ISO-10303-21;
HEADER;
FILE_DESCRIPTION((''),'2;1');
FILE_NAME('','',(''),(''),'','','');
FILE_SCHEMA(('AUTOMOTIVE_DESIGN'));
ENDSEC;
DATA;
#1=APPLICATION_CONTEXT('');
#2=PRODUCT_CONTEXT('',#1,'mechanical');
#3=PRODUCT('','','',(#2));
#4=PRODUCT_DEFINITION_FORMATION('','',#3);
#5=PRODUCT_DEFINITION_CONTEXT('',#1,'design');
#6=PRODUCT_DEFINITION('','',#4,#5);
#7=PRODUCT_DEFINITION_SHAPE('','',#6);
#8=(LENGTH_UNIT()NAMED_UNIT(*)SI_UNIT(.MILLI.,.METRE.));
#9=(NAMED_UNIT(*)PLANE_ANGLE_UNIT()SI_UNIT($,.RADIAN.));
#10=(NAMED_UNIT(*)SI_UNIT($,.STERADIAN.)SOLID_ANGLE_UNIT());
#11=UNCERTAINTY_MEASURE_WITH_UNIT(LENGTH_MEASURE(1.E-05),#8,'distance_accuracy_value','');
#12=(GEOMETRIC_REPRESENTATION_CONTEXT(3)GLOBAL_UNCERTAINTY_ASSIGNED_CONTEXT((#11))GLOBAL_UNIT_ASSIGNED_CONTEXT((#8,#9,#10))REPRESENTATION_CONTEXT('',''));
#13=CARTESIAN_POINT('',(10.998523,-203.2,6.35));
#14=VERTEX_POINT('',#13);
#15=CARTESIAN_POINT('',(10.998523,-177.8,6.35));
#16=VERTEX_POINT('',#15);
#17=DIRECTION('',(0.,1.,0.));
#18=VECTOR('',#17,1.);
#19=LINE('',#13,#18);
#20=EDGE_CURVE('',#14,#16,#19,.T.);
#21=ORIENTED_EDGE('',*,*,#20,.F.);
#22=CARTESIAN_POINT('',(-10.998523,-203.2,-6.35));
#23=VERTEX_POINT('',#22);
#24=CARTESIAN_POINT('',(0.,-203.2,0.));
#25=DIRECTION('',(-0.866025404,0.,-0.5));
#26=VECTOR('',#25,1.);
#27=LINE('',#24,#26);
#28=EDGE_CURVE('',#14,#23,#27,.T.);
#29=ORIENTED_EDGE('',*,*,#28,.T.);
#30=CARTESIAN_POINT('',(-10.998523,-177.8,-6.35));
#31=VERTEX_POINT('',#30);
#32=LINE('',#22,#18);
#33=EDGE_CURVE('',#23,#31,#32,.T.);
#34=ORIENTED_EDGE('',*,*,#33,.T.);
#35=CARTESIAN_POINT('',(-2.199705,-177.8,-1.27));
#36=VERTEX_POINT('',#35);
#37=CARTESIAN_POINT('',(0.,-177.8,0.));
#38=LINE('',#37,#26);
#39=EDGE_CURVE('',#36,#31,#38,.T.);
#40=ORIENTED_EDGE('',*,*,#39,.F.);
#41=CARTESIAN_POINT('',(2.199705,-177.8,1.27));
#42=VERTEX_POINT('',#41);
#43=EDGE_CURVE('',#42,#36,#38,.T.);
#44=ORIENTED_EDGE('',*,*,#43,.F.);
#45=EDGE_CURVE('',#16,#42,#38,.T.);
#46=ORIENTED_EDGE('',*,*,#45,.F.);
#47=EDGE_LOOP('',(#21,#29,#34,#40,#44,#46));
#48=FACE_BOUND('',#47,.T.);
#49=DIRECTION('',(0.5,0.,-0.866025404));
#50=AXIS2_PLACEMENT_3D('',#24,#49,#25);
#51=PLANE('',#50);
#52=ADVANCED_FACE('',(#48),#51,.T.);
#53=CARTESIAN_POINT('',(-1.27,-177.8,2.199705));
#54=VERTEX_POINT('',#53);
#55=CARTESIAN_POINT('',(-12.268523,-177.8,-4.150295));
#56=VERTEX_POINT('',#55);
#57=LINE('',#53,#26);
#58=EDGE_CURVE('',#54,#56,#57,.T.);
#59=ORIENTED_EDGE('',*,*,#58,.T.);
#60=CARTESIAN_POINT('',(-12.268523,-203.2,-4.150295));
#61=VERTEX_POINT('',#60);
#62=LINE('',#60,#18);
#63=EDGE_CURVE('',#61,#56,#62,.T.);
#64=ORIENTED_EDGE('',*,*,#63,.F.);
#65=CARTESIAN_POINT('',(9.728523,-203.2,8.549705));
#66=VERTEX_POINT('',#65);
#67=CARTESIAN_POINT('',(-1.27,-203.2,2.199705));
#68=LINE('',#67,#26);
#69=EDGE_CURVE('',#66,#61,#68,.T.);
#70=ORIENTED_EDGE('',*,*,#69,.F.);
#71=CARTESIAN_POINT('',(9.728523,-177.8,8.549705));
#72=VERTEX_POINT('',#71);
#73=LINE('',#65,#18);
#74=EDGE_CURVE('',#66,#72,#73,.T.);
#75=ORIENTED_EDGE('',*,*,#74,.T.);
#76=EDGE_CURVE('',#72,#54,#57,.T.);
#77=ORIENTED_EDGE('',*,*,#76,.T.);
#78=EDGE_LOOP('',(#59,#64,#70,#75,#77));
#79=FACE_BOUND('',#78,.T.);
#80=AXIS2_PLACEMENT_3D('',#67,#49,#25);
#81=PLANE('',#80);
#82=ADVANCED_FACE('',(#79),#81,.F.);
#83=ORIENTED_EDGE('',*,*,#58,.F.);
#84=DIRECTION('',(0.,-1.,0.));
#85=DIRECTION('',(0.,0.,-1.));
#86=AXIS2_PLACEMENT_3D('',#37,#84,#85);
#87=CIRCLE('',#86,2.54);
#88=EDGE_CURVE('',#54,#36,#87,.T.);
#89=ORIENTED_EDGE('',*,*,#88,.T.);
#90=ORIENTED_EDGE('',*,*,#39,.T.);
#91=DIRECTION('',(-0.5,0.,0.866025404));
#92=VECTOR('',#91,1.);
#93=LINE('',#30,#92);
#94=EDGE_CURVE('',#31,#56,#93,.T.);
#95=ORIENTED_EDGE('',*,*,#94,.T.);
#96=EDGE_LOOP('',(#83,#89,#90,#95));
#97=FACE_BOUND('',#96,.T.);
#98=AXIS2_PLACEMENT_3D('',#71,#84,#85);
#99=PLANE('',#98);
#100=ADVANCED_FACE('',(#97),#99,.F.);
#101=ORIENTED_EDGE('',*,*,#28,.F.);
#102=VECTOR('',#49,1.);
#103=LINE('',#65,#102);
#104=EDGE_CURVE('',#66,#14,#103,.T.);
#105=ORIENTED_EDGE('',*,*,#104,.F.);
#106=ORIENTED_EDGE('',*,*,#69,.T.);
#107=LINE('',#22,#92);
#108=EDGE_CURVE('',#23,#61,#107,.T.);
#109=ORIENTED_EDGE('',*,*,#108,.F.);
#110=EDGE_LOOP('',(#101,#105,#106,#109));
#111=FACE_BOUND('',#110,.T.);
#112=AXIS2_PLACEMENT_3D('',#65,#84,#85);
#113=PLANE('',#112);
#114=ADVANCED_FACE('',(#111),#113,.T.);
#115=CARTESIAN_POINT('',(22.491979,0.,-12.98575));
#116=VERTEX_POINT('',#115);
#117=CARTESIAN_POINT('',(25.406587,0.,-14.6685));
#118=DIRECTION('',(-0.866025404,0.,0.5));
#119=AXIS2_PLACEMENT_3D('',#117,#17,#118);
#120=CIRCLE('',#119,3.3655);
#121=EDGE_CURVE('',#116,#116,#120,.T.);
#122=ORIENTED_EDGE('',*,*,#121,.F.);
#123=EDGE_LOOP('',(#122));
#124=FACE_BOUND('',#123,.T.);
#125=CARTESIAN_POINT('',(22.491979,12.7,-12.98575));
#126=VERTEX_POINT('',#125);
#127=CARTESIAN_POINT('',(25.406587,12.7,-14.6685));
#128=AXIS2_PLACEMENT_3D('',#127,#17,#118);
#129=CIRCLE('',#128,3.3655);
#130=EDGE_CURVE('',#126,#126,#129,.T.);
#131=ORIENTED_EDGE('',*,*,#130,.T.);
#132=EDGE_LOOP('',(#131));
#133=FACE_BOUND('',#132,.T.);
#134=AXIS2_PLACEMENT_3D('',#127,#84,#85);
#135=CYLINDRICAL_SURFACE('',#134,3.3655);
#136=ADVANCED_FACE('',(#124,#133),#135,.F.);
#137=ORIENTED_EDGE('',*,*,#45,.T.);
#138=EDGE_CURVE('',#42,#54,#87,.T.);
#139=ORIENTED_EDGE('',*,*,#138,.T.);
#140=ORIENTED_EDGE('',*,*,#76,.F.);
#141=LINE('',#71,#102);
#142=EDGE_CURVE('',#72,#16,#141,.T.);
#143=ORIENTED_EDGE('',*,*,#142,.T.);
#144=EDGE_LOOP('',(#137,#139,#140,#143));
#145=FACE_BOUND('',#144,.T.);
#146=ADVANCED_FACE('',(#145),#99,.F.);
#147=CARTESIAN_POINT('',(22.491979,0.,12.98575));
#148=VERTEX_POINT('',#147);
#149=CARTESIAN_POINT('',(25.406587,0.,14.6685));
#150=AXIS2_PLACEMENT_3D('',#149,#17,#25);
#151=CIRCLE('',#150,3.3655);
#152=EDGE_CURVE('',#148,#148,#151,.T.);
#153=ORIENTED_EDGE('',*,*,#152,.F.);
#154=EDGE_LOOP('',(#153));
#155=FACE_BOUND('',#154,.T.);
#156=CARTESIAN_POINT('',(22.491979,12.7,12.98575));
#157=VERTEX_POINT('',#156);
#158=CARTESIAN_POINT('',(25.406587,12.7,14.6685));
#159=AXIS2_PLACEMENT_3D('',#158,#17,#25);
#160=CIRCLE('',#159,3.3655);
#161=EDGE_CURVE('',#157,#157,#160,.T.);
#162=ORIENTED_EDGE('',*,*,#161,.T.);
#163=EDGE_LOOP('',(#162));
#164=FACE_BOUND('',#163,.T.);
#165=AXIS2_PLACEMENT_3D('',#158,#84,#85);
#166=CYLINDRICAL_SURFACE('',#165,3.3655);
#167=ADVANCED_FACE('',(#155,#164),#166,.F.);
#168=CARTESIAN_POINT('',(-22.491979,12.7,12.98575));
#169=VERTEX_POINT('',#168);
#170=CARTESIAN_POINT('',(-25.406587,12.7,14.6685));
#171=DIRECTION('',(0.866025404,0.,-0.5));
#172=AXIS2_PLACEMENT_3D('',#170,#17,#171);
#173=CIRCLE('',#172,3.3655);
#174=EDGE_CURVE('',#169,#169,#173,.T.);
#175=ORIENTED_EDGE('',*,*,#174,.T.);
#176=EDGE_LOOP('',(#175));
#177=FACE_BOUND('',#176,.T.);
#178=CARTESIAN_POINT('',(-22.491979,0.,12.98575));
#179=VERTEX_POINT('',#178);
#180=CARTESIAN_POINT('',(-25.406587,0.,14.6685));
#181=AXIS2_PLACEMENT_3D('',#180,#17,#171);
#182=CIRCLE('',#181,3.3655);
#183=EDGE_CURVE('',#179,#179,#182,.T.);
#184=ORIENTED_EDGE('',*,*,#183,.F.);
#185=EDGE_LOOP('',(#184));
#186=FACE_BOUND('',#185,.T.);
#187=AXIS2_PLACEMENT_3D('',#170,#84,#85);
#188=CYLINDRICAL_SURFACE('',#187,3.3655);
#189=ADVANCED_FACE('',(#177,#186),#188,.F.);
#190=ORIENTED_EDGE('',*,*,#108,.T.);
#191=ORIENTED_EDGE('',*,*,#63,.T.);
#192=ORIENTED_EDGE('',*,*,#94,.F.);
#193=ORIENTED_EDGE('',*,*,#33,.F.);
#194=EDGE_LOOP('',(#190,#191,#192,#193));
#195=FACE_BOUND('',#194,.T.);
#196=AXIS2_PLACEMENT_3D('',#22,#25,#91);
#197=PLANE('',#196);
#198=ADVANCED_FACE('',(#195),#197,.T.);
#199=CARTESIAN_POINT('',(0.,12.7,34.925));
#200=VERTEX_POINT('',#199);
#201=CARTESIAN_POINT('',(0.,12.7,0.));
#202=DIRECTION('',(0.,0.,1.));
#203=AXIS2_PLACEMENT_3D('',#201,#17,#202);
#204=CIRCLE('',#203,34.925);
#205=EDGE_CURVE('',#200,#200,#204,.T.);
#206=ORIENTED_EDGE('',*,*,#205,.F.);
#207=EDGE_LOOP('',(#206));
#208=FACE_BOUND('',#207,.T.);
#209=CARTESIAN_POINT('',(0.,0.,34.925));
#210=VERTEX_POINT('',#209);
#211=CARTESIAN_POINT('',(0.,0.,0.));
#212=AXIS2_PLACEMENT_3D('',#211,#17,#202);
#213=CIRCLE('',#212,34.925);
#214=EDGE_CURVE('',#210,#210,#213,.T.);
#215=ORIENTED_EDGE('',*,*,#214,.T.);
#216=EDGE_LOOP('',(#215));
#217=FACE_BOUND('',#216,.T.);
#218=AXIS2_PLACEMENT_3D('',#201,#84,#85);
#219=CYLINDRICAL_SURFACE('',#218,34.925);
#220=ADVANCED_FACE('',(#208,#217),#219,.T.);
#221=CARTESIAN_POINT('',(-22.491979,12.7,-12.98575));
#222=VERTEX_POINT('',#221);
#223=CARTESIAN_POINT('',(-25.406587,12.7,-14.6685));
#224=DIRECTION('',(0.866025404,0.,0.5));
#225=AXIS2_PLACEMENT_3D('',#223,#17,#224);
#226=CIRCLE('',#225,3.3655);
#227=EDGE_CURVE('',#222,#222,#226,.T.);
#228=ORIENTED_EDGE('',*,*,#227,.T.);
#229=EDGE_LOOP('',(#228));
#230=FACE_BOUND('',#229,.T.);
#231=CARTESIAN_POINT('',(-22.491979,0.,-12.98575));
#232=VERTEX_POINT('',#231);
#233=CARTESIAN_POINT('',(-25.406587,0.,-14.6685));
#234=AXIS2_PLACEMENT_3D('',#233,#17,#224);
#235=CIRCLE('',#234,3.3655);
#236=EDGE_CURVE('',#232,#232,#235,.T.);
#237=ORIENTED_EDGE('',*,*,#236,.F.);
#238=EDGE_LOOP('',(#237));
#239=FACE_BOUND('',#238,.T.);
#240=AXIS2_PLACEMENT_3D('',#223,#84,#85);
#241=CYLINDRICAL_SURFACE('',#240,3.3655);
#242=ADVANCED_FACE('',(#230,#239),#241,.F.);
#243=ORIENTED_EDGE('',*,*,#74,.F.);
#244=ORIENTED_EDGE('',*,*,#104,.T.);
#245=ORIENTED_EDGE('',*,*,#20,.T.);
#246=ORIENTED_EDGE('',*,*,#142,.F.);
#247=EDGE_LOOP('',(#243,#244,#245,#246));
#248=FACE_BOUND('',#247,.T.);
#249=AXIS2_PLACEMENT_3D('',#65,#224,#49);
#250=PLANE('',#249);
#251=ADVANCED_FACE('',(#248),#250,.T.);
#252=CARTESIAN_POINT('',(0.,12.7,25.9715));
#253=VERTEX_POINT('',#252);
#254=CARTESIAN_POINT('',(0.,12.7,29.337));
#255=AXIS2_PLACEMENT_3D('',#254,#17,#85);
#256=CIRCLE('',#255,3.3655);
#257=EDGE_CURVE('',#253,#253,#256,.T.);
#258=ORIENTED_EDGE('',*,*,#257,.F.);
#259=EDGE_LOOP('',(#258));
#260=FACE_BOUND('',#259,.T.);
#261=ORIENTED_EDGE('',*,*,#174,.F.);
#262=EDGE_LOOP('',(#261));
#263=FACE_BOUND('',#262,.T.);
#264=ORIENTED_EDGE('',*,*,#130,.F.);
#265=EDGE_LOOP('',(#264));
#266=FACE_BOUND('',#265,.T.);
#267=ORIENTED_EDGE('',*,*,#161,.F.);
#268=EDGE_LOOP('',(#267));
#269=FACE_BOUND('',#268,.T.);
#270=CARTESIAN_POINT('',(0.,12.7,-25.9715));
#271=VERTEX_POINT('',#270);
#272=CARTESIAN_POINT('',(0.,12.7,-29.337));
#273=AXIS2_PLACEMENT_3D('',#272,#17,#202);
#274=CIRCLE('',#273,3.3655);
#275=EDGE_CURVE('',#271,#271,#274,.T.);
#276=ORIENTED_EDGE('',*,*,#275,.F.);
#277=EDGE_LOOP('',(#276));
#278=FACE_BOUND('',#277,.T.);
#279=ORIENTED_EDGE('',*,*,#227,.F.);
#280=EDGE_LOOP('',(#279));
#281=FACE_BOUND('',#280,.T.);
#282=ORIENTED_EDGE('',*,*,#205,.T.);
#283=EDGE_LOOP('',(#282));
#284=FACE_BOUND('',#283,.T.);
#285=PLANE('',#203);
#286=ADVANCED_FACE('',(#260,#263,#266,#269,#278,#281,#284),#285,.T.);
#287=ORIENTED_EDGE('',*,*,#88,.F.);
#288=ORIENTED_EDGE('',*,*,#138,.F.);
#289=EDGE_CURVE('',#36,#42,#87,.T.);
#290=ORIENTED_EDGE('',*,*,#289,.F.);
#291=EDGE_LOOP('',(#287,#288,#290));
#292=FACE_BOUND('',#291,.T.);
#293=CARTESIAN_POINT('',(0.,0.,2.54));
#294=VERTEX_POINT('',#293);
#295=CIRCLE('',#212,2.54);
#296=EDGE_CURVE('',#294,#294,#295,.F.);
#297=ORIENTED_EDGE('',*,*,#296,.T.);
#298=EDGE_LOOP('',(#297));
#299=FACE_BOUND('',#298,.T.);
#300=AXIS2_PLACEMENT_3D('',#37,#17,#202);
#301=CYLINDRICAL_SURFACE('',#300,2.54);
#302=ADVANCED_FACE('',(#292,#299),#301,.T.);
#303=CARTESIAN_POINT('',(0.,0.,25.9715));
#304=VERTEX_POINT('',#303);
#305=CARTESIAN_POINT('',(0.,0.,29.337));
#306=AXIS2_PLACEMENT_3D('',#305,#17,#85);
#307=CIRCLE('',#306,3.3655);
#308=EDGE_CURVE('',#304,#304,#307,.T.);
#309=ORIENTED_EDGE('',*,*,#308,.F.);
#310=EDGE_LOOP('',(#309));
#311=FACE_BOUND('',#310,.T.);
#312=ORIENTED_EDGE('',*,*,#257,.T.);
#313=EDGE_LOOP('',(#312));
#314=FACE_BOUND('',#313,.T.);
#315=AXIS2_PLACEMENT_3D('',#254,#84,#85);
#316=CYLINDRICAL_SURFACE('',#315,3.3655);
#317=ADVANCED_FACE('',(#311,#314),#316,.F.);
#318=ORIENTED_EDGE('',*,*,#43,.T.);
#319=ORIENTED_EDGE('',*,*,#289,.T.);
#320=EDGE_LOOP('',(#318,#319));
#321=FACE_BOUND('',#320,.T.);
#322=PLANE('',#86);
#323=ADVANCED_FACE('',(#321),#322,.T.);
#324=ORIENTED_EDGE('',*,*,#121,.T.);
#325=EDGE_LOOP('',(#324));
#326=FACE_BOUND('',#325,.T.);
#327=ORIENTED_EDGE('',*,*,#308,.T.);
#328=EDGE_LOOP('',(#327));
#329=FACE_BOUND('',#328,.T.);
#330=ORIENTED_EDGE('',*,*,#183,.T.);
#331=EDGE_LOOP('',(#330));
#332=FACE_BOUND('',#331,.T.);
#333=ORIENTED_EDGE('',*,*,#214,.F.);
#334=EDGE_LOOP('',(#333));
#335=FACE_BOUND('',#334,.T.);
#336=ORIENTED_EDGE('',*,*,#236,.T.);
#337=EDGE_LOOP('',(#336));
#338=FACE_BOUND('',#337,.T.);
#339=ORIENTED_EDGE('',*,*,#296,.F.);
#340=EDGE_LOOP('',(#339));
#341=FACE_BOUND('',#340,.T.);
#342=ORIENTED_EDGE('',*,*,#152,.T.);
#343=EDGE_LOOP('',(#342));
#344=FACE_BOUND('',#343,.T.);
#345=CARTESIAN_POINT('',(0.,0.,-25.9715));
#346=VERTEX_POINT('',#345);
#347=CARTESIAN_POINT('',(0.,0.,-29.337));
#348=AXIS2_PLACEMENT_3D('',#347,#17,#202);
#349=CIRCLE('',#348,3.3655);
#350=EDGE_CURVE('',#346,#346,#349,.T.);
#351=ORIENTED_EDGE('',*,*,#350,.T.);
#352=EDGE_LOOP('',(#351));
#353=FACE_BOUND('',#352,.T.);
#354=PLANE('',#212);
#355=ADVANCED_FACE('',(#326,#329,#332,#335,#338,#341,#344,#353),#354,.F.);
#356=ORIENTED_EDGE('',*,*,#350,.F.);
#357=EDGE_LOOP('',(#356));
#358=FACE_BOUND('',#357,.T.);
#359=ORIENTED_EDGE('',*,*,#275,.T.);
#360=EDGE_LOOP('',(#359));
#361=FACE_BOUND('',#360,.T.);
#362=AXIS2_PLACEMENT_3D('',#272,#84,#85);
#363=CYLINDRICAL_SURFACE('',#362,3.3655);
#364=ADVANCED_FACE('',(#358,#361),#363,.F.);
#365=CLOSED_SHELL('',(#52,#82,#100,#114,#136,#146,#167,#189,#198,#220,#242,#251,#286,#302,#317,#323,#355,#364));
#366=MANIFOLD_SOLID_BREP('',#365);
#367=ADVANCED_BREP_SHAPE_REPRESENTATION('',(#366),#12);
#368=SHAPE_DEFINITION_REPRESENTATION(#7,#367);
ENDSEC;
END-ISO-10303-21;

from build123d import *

# Parameters (mm, degrees)
SKETCH1_R           = 34.925
EXTRUDE1_DEPTH      = 12.7
SKETCH3_R           = 3.3655
CUT_EXTRUDE2_DEPTH  = 12.7
CIRPATTERN1_COUNT   = 6
SKETCH8_R           = 2.54
EXTRUDE3_DEPTH      = 177.8
EXTRUDE_THIN1_DEPTH = 25.4


with BuildPart() as part:
    # Sketch1 → Extrude1 (new body)
    with BuildSketch(Plane(origin=(0, 0, 0), x_dir=(1, 0, 0), z_dir=(0, 1, 0))):
        with Locations(Location((0, 0, 0), (0, 0, 270))):
            Circle(SKETCH1_R)
    extrude(amount=EXTRUDE1_DEPTH)

    # Sketch3 → Cut-Extrude2 (cut)
    with BuildSketch(Plane(origin=(0, 0, 0), x_dir=(1, 0, 0), z_dir=(0, 1, 0))):
        with Locations(Location((0, 29.337, 0), (0, 0, 270))):
            Circle(SKETCH3_R)
    cut_extrude2 = extrude(amount=CUT_EXTRUDE2_DEPTH, mode=Mode.SUBTRACT)

    # CirPattern1: Cut-Extrude2 ×6 about axis
    cirpattern1_axis = Axis((0, 0, 0), (0, 1, 0))
    for i in range(1, CIRPATTERN1_COUNT):
        add(cut_extrude2.rotate(cirpattern1_axis, i * 360 / CIRPATTERN1_COUNT), mode=Mode.SUBTRACT)

    # Sketch8 → Extrude3 (add)
    with BuildSketch(Plane.XZ):
        with Locations(Location((0, 0, 0), (0, 0, 90))):
            Circle(SKETCH8_R)
    extrude(amount=EXTRUDE3_DEPTH)

    # Sketch12 → Extrude-Thin1 (add)
    with BuildSketch(Plane.XZ.offset(177.8)):
        Polygon((10.998522628, 6.35), (0, 0), (-10.998522628, -6.35), (-12.268522628, -4.150295474), (-1.27, 2.199704526), (9.728522628, 8.549704526), align=None)
    extrude(amount=EXTRUDE_THIN1_DEPTH)


solid = part.part
